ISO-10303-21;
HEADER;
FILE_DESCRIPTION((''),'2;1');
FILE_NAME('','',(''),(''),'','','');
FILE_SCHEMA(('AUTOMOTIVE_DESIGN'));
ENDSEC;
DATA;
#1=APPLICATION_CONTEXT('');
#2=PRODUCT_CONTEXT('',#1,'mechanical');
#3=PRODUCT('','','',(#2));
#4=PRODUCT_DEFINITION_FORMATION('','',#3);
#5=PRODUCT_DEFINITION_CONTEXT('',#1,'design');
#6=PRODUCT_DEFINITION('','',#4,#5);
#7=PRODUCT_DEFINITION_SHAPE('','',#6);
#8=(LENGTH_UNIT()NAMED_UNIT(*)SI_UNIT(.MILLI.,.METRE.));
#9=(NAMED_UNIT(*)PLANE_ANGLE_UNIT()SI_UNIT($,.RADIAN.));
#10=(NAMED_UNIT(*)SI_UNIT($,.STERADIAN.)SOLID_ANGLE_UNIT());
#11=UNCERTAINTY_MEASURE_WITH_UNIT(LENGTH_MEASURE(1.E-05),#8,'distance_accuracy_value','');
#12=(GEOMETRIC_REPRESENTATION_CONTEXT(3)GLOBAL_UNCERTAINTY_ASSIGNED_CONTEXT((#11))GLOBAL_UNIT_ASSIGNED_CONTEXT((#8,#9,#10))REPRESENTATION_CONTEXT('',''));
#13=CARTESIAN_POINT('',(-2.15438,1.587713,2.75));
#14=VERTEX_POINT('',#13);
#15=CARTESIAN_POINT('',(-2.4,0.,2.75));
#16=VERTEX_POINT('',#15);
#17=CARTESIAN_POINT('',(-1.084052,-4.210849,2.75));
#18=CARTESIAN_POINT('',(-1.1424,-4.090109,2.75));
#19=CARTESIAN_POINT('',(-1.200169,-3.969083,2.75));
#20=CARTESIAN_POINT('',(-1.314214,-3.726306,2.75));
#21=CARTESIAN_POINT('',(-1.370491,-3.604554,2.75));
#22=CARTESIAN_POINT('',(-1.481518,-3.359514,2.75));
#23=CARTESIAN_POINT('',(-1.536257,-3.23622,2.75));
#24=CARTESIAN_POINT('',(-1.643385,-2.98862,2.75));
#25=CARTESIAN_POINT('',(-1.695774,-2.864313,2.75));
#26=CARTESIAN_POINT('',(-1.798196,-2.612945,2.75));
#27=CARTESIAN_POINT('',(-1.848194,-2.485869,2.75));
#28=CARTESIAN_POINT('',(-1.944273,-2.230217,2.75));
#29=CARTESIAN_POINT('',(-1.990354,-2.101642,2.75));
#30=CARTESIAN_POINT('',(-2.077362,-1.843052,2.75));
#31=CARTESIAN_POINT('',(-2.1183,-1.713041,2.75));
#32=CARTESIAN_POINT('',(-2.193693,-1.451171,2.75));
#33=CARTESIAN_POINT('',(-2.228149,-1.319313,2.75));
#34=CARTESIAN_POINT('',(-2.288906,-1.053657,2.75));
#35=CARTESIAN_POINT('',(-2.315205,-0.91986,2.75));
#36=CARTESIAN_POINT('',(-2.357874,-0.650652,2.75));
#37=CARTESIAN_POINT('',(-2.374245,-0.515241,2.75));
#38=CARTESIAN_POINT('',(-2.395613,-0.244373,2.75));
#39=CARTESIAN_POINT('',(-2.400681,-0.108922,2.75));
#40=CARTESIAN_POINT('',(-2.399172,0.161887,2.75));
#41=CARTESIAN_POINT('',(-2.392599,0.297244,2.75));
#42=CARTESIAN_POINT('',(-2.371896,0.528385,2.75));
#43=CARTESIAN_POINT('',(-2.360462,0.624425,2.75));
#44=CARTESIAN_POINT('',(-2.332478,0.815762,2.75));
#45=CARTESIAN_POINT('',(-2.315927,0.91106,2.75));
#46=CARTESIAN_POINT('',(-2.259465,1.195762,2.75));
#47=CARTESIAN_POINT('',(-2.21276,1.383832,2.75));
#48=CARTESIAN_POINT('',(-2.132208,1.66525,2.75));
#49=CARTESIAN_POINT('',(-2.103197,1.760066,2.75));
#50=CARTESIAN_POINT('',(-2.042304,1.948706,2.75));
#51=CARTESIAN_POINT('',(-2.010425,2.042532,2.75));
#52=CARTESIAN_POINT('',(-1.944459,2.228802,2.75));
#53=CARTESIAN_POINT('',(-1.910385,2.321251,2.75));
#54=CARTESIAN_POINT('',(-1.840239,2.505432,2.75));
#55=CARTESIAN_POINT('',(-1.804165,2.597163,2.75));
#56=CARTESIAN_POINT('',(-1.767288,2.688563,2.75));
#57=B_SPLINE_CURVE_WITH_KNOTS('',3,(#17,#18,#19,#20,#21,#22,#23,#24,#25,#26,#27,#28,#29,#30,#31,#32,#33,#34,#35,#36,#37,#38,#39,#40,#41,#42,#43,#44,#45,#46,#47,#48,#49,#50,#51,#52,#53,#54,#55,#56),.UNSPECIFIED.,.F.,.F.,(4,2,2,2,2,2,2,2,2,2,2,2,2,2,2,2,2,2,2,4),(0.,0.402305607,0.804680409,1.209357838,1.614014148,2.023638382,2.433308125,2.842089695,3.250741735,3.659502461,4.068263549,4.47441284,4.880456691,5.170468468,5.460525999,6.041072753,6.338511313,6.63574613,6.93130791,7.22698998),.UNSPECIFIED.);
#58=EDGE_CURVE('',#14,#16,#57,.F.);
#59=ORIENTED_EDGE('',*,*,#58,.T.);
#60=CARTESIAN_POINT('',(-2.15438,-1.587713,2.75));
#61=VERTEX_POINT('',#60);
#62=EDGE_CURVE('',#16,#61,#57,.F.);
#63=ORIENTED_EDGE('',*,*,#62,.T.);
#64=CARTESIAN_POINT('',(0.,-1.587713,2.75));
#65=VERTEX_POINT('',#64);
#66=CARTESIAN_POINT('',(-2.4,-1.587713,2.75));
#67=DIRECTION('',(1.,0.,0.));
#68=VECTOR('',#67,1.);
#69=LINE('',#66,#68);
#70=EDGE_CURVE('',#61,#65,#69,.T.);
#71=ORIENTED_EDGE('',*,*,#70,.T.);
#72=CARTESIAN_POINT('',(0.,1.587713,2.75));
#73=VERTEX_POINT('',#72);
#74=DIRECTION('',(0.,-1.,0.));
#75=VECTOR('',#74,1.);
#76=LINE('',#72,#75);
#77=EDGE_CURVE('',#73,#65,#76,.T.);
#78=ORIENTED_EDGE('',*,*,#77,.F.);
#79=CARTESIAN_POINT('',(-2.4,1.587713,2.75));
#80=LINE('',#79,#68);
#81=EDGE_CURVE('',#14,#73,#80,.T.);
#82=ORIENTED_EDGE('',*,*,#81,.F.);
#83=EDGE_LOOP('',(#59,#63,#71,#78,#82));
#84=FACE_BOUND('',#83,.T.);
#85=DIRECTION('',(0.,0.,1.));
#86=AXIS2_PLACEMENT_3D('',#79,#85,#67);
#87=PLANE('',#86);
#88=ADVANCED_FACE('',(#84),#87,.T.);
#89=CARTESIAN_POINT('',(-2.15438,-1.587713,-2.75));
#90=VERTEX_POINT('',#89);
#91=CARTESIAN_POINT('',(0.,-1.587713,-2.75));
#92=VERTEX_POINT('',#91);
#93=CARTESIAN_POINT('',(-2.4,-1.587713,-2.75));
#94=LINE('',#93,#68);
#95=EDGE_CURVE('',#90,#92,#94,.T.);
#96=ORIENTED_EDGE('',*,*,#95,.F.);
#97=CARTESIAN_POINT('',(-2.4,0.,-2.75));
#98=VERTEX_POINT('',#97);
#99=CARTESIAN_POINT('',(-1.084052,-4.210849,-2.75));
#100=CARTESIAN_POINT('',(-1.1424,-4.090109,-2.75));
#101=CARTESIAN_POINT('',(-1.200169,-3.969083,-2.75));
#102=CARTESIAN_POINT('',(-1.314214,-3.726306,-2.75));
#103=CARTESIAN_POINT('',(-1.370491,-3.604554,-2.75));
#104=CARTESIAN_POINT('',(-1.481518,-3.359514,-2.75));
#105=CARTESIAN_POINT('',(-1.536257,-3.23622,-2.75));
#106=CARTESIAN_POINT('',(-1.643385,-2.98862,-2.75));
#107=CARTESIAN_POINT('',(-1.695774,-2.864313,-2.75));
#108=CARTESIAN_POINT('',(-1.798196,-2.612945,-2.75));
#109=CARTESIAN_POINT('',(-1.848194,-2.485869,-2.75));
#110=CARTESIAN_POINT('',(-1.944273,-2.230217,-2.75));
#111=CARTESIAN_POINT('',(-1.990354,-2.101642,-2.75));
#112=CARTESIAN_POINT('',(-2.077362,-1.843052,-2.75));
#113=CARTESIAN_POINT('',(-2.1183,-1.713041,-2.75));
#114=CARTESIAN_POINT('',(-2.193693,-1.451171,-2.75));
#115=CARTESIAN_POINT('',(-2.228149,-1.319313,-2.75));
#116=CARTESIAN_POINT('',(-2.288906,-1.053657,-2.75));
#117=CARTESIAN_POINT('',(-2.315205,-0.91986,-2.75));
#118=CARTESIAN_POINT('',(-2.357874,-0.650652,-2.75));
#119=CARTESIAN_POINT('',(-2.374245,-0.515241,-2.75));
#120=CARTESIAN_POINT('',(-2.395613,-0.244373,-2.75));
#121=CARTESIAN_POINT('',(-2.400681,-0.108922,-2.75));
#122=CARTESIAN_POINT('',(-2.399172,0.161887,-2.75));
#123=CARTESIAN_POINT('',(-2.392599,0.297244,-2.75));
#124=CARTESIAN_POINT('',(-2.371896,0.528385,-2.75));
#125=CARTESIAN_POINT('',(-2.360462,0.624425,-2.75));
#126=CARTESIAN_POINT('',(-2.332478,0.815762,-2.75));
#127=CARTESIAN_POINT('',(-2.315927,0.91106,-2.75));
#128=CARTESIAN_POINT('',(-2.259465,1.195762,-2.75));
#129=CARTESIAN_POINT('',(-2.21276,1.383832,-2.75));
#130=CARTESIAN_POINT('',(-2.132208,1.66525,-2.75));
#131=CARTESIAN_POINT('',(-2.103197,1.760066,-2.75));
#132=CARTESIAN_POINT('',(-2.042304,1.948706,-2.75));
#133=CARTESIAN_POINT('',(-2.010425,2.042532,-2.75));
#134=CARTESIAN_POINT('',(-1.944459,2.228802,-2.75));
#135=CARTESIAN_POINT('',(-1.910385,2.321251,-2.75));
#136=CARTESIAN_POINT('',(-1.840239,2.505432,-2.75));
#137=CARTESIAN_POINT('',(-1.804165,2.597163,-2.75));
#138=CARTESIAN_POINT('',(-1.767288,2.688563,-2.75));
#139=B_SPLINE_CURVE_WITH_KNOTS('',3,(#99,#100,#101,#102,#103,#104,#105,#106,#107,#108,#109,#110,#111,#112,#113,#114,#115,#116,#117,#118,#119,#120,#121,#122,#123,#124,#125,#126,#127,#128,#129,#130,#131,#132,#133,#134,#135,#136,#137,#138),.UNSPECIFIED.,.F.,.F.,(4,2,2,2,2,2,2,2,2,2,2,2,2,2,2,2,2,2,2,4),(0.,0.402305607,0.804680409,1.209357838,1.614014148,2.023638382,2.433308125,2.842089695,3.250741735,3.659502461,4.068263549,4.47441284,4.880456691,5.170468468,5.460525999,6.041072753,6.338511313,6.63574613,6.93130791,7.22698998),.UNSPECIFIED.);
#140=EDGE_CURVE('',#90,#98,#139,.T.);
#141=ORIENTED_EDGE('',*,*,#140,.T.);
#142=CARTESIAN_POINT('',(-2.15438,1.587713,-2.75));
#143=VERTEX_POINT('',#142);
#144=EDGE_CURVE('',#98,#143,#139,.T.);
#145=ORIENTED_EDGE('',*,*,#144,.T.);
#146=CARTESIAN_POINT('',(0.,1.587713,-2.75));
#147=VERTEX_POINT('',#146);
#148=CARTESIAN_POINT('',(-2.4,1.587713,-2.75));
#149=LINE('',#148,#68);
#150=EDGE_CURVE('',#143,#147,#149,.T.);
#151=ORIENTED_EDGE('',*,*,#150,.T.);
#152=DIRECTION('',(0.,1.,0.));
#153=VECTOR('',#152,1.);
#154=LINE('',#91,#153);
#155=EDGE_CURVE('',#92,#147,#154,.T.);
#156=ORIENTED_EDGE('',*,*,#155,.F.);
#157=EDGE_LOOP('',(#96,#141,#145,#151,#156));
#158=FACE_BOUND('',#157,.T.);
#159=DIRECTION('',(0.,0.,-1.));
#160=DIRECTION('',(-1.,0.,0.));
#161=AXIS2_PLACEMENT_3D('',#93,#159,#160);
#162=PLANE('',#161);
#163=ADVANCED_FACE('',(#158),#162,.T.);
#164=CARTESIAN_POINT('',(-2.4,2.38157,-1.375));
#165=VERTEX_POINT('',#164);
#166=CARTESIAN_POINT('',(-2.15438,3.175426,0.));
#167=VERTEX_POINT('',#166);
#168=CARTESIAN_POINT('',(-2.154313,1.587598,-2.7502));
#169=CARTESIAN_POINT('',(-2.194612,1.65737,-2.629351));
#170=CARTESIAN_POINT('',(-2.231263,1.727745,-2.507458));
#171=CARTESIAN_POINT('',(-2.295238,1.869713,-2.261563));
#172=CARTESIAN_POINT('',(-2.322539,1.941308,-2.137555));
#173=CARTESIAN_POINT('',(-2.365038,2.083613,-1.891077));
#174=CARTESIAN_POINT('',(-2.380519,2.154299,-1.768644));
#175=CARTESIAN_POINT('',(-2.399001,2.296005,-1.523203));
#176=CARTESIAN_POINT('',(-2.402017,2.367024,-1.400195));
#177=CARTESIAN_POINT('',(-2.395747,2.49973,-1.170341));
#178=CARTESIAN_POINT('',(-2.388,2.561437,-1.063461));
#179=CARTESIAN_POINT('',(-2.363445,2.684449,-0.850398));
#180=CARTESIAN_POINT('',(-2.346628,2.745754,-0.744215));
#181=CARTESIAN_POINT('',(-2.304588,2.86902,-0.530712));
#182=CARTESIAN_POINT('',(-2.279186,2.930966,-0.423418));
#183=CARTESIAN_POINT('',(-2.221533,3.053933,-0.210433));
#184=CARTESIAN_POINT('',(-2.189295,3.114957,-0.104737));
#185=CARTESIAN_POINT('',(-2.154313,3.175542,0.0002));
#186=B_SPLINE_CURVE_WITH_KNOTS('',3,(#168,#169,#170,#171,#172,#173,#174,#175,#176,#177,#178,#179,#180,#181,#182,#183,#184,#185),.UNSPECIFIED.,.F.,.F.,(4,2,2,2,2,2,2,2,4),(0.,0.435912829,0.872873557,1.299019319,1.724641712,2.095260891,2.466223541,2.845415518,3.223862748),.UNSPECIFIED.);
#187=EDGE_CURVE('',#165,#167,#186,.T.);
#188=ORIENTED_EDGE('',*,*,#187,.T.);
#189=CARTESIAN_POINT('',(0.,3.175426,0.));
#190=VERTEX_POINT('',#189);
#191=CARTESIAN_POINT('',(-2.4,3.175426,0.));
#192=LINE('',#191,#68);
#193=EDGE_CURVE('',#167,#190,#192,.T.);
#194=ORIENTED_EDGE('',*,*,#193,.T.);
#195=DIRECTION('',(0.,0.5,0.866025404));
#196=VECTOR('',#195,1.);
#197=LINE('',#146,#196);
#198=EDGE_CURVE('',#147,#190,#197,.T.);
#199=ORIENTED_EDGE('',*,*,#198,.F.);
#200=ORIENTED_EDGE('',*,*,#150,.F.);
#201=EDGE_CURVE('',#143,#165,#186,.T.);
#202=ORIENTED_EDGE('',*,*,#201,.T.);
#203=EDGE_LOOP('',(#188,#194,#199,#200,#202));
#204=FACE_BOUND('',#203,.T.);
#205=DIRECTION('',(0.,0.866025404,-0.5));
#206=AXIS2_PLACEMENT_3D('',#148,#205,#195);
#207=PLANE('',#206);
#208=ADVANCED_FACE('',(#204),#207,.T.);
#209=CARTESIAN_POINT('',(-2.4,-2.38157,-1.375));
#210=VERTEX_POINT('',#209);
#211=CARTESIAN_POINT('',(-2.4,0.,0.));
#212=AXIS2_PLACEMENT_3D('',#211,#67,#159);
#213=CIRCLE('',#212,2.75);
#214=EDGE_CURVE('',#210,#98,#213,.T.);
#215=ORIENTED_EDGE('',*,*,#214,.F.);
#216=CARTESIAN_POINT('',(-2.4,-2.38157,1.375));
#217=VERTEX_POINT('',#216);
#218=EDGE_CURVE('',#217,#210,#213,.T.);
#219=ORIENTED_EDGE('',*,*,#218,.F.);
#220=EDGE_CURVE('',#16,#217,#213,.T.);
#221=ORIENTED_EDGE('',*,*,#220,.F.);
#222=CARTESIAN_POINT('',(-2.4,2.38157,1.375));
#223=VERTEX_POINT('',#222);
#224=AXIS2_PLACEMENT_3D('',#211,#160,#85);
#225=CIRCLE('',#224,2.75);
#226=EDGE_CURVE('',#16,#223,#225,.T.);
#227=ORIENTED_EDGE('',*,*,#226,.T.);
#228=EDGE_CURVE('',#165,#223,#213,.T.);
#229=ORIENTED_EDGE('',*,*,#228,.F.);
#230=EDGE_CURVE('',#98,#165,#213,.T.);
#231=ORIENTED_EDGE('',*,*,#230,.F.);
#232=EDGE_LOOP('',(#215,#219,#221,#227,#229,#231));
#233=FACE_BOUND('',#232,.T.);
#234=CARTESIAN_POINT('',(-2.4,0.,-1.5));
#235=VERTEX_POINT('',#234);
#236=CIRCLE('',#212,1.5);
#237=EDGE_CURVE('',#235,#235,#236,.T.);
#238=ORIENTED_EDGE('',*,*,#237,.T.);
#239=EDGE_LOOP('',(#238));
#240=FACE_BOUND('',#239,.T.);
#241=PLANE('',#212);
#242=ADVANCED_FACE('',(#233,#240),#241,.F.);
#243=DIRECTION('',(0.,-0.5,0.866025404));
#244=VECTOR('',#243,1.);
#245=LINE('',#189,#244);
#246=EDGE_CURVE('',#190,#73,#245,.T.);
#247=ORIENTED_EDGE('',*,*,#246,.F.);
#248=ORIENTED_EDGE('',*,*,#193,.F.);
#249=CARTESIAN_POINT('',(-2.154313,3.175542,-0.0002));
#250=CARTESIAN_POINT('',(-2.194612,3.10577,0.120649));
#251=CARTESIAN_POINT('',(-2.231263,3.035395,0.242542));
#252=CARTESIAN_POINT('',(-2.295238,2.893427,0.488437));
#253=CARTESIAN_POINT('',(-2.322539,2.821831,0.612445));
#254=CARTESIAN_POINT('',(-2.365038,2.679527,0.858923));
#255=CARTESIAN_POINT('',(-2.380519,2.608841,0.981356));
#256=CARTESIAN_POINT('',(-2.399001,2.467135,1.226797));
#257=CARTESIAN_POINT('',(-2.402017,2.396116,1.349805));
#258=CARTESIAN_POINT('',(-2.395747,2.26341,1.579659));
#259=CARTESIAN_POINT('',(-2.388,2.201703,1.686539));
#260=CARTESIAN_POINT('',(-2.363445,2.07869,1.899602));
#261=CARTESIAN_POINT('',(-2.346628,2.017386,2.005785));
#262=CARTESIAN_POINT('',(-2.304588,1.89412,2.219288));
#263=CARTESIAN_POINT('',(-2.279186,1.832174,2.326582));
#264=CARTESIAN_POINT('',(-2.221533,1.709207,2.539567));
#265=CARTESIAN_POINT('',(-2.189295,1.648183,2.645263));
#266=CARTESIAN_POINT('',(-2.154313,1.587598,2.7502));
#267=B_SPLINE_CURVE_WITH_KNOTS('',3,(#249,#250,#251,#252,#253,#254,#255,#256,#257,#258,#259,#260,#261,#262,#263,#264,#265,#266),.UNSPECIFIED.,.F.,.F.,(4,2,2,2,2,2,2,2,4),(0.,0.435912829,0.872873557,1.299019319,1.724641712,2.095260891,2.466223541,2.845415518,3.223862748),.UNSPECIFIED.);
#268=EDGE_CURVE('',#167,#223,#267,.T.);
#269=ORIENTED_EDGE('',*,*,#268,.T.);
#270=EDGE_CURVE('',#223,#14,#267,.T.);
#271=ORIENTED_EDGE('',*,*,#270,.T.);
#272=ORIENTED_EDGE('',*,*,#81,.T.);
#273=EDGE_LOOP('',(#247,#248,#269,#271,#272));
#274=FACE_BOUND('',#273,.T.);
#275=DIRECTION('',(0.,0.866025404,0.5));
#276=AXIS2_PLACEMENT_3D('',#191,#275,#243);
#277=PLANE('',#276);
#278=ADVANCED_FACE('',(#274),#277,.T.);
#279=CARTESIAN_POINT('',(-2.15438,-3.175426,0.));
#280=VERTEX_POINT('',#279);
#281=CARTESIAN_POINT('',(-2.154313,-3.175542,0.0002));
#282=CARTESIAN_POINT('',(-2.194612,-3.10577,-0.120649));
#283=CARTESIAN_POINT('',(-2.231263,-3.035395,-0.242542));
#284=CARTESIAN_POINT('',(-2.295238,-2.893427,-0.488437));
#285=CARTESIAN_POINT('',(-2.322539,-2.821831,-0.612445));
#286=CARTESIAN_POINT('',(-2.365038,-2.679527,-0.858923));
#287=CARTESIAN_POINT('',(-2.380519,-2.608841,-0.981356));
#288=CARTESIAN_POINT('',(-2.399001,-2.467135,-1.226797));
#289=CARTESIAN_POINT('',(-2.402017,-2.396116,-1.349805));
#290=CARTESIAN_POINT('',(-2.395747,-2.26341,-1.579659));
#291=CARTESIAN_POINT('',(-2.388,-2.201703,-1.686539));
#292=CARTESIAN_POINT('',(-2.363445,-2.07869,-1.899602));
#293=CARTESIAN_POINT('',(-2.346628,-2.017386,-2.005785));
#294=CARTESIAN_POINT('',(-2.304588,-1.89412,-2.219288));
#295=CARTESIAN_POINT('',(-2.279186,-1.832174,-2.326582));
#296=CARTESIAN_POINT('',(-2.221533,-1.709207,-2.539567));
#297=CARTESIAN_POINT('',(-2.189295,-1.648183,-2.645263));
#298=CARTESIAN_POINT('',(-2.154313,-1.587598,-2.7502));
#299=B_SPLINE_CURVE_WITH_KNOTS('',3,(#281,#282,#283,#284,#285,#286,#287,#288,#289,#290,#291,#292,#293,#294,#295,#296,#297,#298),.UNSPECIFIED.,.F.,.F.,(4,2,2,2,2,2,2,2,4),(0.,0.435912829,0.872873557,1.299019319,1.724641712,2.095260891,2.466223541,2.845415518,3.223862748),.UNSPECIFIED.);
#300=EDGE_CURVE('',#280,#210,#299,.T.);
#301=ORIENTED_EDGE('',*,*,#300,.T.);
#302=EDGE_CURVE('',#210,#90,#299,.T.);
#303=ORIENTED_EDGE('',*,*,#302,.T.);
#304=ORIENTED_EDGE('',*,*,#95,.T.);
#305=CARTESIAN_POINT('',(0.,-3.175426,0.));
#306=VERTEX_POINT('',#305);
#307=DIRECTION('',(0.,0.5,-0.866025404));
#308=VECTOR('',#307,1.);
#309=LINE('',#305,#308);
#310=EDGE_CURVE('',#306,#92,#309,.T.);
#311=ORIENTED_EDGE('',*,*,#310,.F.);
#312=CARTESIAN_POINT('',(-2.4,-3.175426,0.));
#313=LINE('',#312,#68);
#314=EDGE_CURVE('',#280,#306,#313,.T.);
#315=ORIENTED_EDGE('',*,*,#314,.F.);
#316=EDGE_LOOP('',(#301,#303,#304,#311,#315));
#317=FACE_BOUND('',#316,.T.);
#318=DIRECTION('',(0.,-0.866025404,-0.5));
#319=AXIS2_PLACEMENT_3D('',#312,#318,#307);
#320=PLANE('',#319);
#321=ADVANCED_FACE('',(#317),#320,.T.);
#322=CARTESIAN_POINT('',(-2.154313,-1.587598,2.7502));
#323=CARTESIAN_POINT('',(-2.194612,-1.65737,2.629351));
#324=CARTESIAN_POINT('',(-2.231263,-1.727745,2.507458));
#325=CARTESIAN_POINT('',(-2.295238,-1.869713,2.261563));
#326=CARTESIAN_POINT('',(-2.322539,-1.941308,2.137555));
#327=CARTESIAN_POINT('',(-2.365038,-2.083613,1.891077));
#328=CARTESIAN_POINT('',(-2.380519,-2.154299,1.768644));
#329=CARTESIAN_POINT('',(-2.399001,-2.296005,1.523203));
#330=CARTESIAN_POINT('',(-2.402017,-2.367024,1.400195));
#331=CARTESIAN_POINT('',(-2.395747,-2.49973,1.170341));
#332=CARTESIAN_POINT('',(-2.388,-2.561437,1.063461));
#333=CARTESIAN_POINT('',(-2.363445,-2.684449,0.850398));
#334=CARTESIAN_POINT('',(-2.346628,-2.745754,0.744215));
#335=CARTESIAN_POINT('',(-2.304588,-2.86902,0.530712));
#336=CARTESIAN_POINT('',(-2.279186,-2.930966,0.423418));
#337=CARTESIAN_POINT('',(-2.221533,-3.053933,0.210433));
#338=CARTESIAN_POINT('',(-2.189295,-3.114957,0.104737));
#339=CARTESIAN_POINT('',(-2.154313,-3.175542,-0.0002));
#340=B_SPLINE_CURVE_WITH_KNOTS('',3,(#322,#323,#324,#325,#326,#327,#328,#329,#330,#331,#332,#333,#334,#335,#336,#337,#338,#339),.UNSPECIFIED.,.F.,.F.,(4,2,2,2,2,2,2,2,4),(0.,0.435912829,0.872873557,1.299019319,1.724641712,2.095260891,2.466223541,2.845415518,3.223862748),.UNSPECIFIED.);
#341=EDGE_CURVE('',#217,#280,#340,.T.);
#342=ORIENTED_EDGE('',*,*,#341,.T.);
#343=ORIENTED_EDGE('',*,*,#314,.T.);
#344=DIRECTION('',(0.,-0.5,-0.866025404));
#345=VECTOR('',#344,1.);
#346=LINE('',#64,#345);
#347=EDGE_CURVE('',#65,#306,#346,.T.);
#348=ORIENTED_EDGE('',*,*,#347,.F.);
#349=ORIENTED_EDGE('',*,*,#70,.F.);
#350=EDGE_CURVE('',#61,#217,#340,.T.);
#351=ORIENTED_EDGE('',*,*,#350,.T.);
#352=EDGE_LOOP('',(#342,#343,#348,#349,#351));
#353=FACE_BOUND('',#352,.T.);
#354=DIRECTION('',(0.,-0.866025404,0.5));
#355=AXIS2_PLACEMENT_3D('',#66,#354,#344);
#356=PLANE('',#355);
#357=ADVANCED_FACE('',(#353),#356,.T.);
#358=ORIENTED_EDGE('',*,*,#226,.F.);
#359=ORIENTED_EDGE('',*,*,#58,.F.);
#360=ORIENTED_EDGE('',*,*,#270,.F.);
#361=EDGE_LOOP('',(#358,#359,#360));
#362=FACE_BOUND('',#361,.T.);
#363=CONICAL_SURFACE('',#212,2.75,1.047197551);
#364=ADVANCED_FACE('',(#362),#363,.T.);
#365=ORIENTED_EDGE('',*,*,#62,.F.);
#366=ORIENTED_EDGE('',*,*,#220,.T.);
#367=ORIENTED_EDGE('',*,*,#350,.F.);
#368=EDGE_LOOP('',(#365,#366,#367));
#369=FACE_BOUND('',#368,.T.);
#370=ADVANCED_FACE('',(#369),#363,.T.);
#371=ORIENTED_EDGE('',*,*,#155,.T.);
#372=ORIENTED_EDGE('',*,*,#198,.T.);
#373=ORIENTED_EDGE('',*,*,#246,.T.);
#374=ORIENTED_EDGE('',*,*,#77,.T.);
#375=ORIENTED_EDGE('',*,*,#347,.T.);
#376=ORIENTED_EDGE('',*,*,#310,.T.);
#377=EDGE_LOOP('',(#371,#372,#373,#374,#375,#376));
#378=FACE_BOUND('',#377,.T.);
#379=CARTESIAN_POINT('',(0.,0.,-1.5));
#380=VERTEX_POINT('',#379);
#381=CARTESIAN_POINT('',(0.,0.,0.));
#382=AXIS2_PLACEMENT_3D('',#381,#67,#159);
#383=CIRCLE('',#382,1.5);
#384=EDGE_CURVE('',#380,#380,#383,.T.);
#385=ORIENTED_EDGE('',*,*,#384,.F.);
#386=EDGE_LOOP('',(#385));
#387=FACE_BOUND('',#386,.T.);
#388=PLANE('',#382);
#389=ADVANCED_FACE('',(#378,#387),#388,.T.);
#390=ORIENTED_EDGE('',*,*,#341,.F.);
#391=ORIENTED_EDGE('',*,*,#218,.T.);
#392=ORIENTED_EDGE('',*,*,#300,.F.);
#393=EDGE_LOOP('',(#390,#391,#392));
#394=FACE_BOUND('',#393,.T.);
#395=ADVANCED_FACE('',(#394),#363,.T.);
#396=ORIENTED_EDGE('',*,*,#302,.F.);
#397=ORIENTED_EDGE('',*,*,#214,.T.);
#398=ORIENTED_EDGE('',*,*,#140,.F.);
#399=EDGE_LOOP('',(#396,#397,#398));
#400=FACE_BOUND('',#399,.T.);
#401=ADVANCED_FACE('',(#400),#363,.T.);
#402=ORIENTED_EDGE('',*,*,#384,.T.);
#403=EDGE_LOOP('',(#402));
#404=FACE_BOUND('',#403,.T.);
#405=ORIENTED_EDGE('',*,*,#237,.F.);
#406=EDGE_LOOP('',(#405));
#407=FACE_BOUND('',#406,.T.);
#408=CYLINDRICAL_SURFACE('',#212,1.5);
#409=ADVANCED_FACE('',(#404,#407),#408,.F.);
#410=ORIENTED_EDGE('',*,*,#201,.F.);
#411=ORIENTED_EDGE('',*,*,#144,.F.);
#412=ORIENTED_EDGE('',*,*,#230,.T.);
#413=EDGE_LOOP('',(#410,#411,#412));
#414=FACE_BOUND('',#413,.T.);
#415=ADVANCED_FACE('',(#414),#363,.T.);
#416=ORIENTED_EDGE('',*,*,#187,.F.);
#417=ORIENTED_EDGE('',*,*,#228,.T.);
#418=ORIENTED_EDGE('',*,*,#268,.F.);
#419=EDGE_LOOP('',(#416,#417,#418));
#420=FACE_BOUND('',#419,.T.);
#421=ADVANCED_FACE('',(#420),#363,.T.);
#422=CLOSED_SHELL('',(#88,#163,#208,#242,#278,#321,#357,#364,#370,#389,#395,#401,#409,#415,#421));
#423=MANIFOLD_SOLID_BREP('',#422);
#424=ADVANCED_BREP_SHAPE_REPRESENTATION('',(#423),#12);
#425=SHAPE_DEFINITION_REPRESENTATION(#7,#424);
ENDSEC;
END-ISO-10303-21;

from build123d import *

# Parameters (mm, degrees)
BOSS_EXTRUDE1_DEPTH = 2.4
SKETCH8_R           = 1.5
CUT_EXTRUDE1_DEPTH  = 5.837957558


with BuildPart() as part:
    # Sketch1 → Boss-Extrude1 (new body)
    with BuildSketch(Plane(origin=(0, 0, 0), x_dir=(0, 0, -1), z_dir=(1, 0, 0))):
        Polygon((0, 3.175426481), (-2.75, 1.58771324), (-2.75, -1.58771324), (0, -3.175426481), (2.75, -1.58771324), (2.75, 1.58771324), align=None)
    extrude(amount=-BOSS_EXTRUDE1_DEPTH)

    # Sketch2 → Cut-Revolve1 (revolve, cut)
    with BuildSketch(Plane.XY):
        Polygon((-2.4, 2.75), (-2.154379907, 3.175426481), (-2.4, 3.175426481), align=None)
    revolve(axis=Axis((-2.23854625, 0, 0), (1, 0, 0)), mode=Mode.SUBTRACT)

    # Sketch8 → Cut-Extrude1 (cut, through all)
    with BuildSketch(Plane(origin=(0, 0, 0), x_dir=(0, 0, -1), z_dir=(1, 0, 0))):
        Circle(SKETCH8_R)
    extrude(amount=-CUT_EXTRUDE1_DEPTH, mode=Mode.SUBTRACT)


solid = part.part
